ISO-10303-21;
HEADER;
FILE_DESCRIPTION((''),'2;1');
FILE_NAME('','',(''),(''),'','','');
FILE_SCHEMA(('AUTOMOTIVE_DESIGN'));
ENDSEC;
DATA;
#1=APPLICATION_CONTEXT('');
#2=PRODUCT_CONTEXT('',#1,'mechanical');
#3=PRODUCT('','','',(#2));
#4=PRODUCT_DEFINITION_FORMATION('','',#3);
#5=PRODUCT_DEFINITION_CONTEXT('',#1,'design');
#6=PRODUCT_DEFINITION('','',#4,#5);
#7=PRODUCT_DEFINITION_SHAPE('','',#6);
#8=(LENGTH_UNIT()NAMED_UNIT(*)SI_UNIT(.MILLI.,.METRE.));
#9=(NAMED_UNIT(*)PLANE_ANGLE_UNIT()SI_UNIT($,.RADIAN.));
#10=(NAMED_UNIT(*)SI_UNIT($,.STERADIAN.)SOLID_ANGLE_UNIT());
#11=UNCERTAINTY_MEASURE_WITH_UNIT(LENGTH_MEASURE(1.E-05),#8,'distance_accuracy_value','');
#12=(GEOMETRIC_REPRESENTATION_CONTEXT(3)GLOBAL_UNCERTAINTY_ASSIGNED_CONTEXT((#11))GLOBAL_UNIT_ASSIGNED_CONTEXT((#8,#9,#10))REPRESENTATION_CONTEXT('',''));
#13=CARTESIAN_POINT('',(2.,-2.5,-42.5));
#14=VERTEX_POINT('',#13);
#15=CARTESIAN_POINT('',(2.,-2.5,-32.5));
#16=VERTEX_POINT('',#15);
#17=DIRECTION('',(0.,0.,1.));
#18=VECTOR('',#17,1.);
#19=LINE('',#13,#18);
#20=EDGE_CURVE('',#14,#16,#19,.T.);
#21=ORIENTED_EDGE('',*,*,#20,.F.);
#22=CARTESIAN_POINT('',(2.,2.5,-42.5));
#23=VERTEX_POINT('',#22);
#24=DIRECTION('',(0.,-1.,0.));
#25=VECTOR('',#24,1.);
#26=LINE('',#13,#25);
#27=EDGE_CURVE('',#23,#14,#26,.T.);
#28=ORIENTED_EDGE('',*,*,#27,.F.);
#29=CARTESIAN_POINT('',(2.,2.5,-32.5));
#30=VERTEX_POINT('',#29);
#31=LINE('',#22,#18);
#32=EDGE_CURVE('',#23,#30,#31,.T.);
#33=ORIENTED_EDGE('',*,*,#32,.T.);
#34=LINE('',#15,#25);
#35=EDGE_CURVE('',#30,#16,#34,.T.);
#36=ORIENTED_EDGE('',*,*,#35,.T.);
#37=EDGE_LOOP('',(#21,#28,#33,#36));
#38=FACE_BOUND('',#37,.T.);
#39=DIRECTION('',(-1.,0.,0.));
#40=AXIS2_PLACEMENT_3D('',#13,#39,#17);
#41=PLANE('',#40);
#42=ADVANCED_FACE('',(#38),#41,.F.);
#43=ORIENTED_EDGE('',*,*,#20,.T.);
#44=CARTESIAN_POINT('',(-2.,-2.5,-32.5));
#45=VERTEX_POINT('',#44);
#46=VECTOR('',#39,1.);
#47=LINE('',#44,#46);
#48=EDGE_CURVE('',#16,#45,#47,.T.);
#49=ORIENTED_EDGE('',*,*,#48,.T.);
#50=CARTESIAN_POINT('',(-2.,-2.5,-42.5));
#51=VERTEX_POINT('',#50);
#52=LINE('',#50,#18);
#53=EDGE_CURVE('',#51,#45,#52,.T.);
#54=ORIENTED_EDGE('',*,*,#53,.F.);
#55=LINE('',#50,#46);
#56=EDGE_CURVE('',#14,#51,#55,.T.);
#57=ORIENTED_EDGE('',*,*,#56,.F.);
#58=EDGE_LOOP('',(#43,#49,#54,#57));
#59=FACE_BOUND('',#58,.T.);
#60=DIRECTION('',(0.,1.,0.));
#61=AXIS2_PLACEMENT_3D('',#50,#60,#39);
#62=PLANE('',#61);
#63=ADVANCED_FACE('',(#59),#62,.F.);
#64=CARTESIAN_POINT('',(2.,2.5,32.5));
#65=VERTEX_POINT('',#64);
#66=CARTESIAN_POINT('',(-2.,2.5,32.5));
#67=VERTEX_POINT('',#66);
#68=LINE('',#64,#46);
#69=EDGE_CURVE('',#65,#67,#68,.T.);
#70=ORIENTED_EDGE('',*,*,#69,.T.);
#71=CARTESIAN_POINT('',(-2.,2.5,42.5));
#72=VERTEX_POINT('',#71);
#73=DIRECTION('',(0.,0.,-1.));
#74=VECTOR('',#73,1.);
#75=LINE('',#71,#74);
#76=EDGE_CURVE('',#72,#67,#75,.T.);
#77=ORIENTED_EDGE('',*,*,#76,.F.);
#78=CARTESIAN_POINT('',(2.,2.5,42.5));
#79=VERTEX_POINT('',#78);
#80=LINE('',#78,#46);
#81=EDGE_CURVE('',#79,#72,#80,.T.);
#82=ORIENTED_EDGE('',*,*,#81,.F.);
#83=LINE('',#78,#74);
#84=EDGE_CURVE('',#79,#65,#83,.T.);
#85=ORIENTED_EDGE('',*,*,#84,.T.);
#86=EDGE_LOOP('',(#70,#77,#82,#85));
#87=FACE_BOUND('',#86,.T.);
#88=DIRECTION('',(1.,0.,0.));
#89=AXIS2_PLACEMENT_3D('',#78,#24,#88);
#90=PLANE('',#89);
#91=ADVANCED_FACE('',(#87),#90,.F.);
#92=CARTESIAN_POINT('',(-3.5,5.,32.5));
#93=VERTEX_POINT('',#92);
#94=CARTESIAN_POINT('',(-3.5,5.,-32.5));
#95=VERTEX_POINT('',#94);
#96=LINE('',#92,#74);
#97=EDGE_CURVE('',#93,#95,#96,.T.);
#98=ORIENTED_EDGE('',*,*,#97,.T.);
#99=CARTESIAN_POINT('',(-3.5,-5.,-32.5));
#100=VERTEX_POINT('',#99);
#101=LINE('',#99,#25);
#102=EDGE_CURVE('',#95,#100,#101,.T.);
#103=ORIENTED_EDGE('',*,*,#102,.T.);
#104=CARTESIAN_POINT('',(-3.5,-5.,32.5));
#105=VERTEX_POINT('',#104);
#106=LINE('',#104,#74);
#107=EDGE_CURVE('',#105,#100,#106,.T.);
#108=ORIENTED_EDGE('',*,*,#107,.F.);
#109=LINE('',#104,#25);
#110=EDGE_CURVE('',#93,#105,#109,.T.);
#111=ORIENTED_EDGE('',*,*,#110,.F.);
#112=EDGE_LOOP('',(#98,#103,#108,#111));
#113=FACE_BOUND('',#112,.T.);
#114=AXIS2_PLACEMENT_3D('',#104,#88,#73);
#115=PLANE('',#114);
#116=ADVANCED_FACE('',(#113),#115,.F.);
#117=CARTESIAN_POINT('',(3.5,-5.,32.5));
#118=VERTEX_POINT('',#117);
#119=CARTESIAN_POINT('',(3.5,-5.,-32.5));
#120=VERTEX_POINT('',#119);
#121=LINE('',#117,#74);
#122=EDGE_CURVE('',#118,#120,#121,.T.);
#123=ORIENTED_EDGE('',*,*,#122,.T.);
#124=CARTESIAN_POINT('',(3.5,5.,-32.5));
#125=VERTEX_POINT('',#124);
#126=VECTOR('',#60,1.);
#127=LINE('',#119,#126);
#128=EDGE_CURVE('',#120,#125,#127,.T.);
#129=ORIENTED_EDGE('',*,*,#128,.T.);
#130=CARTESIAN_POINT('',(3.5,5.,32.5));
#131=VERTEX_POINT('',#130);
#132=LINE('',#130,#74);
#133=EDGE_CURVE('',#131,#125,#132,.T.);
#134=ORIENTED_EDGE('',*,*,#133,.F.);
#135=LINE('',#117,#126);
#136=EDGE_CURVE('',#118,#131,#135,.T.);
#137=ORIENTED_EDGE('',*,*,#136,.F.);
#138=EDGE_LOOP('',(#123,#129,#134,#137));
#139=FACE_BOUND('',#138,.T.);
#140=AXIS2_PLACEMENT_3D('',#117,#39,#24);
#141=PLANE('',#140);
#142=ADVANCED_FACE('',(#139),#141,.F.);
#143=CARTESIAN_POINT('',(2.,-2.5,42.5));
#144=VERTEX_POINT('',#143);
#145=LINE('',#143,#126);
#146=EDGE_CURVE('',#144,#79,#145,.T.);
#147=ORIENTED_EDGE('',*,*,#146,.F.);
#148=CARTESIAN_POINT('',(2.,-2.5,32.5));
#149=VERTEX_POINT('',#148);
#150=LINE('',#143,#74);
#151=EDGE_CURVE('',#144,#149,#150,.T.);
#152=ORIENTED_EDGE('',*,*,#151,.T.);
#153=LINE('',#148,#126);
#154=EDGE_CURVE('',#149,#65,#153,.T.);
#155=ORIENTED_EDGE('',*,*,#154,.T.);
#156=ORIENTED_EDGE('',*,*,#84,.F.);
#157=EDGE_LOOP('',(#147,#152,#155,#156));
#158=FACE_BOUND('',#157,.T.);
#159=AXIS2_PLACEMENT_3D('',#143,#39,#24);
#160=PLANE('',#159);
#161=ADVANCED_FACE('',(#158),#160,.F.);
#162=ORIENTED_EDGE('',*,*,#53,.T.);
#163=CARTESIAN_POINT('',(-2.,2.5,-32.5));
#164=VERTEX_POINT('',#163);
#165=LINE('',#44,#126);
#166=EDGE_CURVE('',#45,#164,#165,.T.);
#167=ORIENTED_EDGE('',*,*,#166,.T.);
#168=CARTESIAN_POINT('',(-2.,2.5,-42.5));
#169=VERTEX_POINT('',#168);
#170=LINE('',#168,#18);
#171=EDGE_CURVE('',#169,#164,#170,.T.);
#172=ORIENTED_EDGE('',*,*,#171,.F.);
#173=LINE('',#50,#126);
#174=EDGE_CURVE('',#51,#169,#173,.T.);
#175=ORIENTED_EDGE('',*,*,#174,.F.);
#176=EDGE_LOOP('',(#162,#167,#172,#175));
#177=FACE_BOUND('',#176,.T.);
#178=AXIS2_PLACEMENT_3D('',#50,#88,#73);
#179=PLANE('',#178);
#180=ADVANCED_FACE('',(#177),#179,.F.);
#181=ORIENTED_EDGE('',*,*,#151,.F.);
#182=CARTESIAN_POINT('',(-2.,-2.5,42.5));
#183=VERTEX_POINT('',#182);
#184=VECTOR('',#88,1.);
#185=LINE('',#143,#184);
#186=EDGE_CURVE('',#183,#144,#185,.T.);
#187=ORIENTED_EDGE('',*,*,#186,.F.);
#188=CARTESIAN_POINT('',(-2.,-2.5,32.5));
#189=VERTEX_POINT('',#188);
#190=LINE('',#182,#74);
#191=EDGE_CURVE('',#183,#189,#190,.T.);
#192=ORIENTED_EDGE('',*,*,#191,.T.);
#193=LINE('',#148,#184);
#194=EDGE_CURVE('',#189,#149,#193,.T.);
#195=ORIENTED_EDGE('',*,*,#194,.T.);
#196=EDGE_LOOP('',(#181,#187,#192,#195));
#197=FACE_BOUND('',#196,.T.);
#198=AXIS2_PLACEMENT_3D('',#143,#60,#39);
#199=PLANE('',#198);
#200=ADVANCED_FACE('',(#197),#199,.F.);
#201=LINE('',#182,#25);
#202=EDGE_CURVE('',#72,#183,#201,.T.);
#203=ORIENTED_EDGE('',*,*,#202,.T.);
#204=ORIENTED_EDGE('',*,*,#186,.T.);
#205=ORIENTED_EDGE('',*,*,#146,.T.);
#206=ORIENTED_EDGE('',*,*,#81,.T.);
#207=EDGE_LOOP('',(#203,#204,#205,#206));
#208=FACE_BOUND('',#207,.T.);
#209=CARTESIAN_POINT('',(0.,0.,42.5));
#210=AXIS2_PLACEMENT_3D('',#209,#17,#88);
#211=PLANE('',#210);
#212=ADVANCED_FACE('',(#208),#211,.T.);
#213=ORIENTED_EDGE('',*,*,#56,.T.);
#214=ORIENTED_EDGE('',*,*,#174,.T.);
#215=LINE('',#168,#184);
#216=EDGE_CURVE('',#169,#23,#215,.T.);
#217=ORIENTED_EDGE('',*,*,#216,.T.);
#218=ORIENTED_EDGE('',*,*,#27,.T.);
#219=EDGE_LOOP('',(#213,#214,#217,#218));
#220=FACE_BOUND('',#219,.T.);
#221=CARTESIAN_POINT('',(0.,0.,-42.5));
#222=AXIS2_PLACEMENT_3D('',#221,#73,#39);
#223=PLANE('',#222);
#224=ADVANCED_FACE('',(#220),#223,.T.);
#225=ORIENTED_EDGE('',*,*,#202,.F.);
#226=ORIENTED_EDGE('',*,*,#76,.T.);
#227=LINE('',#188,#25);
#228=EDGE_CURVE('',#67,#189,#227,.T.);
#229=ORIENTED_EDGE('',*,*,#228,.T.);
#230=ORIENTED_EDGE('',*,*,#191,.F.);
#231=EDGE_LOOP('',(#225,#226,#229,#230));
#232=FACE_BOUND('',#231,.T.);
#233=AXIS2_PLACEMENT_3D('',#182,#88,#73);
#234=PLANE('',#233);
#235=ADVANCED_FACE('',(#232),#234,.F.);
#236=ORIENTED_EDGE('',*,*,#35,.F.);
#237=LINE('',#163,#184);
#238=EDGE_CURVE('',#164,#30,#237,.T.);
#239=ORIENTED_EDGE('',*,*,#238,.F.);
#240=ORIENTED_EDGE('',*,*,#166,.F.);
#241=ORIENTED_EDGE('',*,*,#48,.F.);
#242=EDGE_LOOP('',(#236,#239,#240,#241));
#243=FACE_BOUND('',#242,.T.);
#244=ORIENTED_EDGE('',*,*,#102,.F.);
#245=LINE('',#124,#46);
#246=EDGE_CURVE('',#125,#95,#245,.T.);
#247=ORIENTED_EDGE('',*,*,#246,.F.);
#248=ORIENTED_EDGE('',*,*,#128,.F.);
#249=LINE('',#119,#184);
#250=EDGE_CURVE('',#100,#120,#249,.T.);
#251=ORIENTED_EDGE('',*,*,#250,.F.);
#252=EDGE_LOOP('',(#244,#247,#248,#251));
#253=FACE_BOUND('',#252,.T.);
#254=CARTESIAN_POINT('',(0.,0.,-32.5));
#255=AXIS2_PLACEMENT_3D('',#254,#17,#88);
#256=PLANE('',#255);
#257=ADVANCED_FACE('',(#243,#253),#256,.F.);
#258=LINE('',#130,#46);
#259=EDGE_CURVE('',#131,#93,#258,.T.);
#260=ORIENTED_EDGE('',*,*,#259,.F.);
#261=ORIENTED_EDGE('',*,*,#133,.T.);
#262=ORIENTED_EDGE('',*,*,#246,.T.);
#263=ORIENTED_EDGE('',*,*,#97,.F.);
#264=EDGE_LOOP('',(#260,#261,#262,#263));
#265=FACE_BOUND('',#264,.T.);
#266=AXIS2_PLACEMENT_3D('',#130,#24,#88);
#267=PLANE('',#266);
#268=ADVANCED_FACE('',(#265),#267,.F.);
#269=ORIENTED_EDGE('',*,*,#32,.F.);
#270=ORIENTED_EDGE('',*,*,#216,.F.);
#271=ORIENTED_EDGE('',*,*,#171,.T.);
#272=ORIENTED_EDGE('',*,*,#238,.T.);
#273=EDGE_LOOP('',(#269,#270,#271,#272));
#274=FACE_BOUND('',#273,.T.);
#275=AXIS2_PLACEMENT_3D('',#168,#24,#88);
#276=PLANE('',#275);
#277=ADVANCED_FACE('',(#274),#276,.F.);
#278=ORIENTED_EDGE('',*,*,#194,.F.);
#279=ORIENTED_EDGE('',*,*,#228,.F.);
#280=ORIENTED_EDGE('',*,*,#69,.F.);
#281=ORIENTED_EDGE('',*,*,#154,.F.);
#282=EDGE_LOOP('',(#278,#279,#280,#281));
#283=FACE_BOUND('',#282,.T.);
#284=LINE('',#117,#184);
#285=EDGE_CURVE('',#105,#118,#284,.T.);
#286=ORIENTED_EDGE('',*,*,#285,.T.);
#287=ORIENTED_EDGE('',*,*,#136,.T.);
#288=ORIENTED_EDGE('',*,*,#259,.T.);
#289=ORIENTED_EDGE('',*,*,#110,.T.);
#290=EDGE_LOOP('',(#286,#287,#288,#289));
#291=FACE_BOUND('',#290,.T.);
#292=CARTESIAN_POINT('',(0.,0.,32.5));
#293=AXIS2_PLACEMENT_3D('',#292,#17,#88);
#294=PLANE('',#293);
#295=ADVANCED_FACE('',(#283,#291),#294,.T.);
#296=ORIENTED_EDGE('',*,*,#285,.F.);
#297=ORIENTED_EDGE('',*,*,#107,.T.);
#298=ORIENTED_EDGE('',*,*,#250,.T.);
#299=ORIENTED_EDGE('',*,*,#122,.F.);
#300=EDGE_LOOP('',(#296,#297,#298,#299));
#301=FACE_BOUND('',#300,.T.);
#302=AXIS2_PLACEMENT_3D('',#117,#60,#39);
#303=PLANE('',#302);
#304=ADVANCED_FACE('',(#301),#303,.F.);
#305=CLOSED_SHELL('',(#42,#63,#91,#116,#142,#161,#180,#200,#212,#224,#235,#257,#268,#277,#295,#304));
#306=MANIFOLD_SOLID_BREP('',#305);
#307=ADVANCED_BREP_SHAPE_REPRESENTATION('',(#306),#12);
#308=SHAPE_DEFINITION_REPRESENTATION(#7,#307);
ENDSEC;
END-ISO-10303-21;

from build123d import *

# Parameters (mm, degrees)
SKETCH1_W           = 7
SKETCH1_H           = 10
BOSS_EXTRUDE1_DEPTH = 32.5
SKETCH2_W           = 4
SKETCH2_H           = 5
BOSS_EXTRUDE2_DEPTH = 10
SKETCH3_W           = 4
SKETCH3_H           = 5
BOSS_EXTRUDE3_DEPTH = 10


with BuildPart() as part:
    # Sketch1 → Boss-Extrude1 (new body, symmetric)
    with BuildSketch(Plane.XY):
        Rectangle(SKETCH1_W, SKETCH1_H)
    extrude(amount=BOSS_EXTRUDE1_DEPTH, both=True)

    # Sketch2 → Boss-Extrude2 (add)
    with BuildSketch(Plane.XY.offset(32.5)):
        Rectangle(SKETCH2_W, SKETCH2_H)
    extrude(amount=BOSS_EXTRUDE2_DEPTH)

    # Sketch3 → Boss-Extrude3 (add)
    with BuildSketch(Plane(origin=(0, 0, -32.5), x_dir=(-1, 0, 0), z_dir=(0, 0, -1))):
        Rectangle(SKETCH3_W, SKETCH3_H)
    extrude(amount=BOSS_EXTRUDE3_DEPTH)


solid = part.part
